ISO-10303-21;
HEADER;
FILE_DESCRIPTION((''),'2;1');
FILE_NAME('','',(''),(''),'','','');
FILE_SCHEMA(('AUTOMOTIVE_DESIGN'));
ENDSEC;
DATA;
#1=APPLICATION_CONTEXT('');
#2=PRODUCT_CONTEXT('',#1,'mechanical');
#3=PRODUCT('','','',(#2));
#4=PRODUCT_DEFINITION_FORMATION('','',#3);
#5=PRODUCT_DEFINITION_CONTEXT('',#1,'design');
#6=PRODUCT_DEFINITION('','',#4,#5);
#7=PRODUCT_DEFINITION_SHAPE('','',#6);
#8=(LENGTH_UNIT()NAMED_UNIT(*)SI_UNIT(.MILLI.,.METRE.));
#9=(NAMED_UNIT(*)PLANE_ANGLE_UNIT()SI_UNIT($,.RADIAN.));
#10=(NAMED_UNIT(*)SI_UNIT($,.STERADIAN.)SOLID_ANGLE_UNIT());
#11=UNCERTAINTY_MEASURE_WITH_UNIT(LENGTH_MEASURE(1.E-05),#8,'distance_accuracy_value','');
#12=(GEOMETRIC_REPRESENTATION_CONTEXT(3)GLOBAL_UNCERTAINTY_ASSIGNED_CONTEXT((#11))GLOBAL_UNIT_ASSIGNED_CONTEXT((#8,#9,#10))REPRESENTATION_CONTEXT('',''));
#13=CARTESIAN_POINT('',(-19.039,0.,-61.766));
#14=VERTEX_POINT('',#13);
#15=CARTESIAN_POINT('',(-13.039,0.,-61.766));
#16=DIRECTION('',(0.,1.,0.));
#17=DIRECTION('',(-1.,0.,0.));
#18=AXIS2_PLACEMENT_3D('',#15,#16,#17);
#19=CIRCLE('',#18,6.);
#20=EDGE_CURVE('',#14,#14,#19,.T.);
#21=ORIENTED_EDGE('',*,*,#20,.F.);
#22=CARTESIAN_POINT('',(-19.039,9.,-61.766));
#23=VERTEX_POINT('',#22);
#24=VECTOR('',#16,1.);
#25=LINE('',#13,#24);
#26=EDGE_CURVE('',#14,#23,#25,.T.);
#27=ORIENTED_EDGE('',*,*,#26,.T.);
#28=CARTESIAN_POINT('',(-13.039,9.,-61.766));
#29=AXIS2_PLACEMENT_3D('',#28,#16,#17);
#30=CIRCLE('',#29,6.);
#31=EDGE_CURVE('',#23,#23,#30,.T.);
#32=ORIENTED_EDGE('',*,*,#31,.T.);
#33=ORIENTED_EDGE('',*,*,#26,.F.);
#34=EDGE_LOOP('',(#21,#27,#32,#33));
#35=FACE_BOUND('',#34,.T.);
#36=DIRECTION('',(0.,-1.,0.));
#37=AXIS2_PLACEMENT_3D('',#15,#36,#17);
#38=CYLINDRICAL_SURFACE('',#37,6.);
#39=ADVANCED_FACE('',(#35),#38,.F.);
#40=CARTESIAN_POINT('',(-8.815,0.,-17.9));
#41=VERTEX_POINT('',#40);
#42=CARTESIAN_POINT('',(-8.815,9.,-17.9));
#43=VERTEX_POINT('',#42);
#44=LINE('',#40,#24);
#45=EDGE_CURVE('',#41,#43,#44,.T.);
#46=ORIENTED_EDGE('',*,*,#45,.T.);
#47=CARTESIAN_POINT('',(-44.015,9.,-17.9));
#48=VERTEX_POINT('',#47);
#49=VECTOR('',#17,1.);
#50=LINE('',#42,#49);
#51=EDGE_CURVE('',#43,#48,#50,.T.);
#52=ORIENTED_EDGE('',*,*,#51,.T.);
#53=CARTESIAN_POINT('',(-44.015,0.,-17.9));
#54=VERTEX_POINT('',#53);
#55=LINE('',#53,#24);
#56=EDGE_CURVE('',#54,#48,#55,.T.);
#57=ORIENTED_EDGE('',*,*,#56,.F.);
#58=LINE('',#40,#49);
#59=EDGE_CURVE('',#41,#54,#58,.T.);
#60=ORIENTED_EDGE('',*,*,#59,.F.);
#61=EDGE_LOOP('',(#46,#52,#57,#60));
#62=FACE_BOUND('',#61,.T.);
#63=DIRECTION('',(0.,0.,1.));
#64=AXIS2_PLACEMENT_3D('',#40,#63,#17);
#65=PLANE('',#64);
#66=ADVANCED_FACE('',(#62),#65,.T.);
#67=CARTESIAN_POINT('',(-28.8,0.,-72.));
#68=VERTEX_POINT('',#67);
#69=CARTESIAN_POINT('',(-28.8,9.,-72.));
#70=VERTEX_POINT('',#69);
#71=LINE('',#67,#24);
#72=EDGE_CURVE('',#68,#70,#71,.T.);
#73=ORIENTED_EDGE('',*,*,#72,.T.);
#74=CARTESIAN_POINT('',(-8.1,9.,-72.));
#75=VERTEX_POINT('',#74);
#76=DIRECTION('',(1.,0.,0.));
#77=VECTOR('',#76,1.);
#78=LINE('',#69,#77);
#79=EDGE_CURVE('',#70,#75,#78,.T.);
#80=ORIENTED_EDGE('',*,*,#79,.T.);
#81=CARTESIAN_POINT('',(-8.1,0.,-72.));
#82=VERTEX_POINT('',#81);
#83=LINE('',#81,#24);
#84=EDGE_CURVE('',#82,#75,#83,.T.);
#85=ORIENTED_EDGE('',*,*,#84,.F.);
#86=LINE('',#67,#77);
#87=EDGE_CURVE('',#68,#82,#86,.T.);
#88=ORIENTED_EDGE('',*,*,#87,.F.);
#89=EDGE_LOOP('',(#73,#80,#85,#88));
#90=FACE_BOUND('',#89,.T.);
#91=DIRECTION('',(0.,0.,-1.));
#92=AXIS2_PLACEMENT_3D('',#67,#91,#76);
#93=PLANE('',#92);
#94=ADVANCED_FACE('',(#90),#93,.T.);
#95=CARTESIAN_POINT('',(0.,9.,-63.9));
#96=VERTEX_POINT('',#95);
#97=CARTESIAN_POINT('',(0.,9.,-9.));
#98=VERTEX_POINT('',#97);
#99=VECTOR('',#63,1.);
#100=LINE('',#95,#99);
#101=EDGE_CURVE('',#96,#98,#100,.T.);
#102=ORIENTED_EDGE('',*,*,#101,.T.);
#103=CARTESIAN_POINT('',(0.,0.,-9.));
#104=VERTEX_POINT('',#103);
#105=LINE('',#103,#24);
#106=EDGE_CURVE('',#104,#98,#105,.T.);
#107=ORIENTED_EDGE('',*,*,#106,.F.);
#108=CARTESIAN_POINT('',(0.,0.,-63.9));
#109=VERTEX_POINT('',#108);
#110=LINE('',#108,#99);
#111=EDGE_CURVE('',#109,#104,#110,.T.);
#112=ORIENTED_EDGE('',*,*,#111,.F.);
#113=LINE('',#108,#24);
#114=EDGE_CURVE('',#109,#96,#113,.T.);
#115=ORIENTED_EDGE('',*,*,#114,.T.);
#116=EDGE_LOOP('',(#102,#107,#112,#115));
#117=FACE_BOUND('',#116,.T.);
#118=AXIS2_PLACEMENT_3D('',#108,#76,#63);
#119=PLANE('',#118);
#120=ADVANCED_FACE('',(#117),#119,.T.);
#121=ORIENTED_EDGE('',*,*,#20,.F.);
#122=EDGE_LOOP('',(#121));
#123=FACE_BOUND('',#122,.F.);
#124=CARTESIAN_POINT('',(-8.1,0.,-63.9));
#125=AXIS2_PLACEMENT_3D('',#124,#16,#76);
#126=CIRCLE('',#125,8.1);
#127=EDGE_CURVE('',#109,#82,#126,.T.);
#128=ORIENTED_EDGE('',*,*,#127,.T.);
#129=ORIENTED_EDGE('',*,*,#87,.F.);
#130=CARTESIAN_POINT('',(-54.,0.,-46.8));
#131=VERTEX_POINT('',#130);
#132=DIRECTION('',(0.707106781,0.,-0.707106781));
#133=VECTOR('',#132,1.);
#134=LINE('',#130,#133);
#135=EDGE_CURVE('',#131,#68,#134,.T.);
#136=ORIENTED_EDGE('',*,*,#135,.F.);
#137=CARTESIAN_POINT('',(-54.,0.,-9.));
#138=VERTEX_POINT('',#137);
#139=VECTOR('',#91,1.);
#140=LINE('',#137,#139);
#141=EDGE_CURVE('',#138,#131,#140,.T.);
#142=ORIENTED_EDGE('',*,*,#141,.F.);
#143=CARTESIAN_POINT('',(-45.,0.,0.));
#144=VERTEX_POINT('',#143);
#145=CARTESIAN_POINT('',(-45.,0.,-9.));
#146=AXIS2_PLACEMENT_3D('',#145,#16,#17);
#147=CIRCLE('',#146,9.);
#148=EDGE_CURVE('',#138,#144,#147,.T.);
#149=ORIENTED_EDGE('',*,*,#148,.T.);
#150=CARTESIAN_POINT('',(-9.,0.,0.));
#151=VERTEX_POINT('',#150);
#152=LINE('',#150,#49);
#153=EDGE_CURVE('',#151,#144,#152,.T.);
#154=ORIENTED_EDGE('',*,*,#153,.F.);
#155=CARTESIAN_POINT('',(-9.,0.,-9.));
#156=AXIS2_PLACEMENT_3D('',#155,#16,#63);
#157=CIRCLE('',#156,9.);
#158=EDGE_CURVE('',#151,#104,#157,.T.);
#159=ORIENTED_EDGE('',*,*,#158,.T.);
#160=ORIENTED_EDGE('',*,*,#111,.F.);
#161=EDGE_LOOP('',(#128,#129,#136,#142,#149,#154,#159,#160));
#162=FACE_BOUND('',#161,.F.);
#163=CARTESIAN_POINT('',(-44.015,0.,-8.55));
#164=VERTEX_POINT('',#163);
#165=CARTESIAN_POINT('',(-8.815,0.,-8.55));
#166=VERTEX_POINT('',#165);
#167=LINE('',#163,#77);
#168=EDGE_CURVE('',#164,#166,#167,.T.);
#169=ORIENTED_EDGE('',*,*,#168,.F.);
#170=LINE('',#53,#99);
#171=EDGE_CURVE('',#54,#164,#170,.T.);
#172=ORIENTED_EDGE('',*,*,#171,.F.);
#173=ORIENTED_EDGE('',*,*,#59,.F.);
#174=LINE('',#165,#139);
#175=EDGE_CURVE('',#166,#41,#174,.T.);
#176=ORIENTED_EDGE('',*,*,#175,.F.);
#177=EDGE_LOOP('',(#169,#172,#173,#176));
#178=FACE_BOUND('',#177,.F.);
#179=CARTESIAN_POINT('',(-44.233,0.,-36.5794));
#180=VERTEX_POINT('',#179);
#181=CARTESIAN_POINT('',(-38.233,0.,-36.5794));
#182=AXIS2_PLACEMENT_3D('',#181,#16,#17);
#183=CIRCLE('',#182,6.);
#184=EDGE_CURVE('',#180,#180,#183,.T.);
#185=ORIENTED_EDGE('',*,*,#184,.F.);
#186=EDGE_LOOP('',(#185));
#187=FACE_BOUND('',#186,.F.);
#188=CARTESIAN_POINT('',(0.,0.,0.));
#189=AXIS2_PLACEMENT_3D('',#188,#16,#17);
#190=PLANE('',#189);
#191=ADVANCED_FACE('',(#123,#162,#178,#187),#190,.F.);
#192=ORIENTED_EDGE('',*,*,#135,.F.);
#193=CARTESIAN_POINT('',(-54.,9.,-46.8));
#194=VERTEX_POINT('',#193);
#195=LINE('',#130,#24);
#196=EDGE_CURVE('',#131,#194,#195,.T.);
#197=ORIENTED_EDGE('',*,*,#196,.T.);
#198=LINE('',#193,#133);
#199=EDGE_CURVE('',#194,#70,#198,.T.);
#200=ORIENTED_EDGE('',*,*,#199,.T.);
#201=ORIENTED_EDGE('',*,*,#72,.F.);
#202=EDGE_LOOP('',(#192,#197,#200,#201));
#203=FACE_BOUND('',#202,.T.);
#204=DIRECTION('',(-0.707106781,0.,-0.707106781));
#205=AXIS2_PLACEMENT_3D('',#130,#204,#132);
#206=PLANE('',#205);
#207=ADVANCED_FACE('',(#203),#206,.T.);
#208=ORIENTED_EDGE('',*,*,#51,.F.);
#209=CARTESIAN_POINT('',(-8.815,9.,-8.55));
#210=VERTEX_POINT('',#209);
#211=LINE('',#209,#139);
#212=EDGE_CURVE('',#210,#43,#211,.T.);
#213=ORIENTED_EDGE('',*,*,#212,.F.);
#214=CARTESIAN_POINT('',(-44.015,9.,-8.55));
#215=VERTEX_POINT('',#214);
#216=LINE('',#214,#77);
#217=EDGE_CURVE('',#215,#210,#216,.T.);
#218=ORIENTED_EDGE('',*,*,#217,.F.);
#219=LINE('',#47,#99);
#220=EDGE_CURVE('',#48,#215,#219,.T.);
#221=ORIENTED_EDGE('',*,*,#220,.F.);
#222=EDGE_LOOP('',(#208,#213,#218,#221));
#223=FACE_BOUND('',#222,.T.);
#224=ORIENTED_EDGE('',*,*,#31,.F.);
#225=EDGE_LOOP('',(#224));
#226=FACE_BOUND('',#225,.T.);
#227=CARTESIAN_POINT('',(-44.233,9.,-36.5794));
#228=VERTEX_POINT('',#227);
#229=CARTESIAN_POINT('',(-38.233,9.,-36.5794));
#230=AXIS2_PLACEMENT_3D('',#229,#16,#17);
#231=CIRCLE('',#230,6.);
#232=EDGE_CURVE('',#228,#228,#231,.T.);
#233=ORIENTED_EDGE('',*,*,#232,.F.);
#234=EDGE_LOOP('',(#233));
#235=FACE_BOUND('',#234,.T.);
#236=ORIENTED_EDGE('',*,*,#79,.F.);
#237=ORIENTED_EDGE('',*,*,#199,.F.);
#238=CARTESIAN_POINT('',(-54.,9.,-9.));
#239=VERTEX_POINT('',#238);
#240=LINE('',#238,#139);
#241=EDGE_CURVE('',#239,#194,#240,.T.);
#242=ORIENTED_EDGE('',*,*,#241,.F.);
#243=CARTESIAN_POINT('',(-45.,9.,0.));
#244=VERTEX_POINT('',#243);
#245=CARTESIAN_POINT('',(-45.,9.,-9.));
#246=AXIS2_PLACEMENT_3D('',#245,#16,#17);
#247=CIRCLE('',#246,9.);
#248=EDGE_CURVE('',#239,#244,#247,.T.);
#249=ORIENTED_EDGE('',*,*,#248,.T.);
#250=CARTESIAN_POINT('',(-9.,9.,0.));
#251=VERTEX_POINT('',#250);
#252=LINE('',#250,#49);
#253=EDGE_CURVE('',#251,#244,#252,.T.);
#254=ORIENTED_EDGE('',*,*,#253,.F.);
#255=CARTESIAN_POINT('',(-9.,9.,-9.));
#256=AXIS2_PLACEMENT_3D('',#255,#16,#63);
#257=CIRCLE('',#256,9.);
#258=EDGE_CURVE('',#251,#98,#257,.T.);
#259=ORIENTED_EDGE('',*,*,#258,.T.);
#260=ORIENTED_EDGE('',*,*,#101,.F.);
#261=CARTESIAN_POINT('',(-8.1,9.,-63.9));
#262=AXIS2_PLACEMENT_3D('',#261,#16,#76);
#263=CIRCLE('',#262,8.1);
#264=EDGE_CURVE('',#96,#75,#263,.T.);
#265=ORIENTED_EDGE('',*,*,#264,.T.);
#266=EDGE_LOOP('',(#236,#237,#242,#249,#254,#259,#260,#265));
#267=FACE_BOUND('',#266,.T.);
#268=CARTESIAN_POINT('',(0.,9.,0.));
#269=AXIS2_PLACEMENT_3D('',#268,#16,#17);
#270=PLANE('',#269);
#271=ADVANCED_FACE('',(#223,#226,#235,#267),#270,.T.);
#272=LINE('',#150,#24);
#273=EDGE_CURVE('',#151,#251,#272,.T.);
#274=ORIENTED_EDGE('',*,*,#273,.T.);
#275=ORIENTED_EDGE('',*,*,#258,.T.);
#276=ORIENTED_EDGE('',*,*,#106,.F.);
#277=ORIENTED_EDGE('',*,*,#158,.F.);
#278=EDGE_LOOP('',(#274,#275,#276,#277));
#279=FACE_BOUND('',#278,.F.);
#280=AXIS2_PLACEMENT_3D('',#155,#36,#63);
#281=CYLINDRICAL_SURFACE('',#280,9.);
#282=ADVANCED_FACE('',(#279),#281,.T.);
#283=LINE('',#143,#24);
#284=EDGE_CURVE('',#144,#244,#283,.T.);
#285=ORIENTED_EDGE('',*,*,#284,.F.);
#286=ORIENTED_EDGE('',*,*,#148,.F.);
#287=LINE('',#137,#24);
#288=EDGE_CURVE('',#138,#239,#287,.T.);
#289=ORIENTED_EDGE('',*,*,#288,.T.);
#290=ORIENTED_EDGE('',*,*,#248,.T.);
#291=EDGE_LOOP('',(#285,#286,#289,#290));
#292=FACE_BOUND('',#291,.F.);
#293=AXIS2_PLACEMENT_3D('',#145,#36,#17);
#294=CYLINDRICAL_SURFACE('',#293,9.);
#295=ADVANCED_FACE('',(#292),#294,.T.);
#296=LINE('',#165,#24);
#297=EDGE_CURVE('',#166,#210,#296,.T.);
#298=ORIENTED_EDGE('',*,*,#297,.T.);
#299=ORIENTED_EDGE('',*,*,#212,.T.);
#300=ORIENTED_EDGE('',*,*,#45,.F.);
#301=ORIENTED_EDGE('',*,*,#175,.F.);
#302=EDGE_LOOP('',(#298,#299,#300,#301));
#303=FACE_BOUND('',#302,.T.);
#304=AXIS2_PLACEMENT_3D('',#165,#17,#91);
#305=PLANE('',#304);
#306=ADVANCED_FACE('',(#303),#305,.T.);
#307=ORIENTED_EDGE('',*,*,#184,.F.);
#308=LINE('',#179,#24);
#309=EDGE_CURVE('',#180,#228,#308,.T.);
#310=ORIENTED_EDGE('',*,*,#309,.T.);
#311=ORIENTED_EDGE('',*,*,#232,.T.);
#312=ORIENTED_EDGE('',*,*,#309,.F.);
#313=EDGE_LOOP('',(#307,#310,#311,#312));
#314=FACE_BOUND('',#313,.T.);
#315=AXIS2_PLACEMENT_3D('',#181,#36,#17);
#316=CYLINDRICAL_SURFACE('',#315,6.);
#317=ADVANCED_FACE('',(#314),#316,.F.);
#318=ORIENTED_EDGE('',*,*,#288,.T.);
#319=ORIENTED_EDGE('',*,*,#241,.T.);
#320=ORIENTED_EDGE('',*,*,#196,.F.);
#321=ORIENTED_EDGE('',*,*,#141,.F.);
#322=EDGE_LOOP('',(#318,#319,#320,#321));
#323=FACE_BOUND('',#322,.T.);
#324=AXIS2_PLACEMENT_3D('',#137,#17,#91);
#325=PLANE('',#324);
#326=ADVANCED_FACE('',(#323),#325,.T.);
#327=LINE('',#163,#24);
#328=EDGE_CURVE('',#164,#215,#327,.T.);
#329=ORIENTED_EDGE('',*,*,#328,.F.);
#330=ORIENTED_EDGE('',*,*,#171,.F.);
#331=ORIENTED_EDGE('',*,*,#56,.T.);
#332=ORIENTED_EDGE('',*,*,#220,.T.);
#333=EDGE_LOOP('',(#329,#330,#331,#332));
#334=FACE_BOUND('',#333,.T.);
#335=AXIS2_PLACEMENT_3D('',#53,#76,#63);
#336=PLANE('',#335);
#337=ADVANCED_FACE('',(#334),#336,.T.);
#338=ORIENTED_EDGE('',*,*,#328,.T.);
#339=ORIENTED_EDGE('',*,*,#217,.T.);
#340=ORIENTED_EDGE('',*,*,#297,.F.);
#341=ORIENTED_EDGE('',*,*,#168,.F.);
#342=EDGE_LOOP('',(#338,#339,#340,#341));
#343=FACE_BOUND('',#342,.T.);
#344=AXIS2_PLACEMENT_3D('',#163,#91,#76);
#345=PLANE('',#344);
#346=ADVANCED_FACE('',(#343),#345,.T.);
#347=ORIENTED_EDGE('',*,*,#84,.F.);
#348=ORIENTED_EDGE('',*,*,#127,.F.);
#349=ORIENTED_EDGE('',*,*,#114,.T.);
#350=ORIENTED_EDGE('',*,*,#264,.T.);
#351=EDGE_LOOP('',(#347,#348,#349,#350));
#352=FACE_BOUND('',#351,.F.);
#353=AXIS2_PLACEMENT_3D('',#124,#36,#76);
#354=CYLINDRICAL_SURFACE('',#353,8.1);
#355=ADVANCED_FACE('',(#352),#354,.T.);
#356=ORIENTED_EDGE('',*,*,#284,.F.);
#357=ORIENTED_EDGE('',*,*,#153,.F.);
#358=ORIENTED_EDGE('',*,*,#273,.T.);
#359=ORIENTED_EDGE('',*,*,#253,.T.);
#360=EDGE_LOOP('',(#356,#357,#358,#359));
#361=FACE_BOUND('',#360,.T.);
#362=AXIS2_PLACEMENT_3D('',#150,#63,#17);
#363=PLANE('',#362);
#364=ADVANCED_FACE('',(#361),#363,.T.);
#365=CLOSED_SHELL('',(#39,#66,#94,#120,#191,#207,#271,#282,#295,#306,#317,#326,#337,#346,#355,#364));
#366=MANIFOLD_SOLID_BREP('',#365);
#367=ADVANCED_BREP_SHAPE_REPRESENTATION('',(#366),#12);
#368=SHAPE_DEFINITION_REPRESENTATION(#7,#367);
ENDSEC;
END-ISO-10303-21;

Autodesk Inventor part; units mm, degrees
ref_plane "YZ Plane" through (0, 0, 0) normal (1, 0, 0) x (0, 1, 0)
ref_plane "XZ Plane" through (0, 0, 0) normal (0, 1, 0) x (-1, 0, 0)
ref_plane "XY Plane" through (0, 0, 0) normal (0, 0, 1) x (1, 0, 0)
sketch "Sketch1" plane through (0, 0, 0) normal (0, 1, 0) x (-1, 0, 0)
  line L0 (9, 0) -> (45, 0)
  line L1 (54, -9) -> (54, -46.8)
  line L2 (28.8, -72) -> (8.1, -72)
  line L3 (0, -63.9) -> (0, -9)
  arc A0 (54, -9) -> (45, 0) centre (45, -9) ccw
  arc A1 (9, 0) -> (0, -9) centre (9, -9) ccw
  arc A2 (0, -63.9) -> (8.1, -72) centre (8.1, -63.9) ccw
  line L4 (54, -46.8) -> (28.8, -72)
  circle A3 centre (38.233, -36.5794) radius 6
  circle A4 centre (13.039, -61.766) radius 6
  line L5 (44.015, -8.55) -> (8.815, -8.55)
  line L6 (8.815, -8.55) -> (8.815, -17.9)
  line L7 (8.815, -17.9) -> (44.015, -17.9)
  line L8 (44.015, -17.9) -> (44.015, -8.55)
  point P0 (0, 0)
  point P1 (54, -72)
  point P2 (54, 0)
  point P3 (0, -72)
  dimension "d2" = 9
  dimension "d3" = 8.1
  dimension "d7" = 20.7
  dimension "d8" = 36
  dimension "d9" = 37.8
  dimension "d10" = 9
  dimension "d11" = 54.9
  dimension "d12" = 12
  dimension "d13" = 12
  dimension "d14" = 15.767
  dimension "d15" = 18.376
  dimension "d16" = 10.234
  dimension "d17" = 13.039
  dimension "d18" = 38.233
  dimension "d19" = 9.35
  dimension "d20" = 35.2
  dimension "d21" = 8.55
  dimension "d22" = 8.815
  dimension "d23" = 9.985
  dimension "d26" = 23.6245
extrude "Extrusion1" add sketch "Sketch1" along normal blind 9
properties part number "Hip"
